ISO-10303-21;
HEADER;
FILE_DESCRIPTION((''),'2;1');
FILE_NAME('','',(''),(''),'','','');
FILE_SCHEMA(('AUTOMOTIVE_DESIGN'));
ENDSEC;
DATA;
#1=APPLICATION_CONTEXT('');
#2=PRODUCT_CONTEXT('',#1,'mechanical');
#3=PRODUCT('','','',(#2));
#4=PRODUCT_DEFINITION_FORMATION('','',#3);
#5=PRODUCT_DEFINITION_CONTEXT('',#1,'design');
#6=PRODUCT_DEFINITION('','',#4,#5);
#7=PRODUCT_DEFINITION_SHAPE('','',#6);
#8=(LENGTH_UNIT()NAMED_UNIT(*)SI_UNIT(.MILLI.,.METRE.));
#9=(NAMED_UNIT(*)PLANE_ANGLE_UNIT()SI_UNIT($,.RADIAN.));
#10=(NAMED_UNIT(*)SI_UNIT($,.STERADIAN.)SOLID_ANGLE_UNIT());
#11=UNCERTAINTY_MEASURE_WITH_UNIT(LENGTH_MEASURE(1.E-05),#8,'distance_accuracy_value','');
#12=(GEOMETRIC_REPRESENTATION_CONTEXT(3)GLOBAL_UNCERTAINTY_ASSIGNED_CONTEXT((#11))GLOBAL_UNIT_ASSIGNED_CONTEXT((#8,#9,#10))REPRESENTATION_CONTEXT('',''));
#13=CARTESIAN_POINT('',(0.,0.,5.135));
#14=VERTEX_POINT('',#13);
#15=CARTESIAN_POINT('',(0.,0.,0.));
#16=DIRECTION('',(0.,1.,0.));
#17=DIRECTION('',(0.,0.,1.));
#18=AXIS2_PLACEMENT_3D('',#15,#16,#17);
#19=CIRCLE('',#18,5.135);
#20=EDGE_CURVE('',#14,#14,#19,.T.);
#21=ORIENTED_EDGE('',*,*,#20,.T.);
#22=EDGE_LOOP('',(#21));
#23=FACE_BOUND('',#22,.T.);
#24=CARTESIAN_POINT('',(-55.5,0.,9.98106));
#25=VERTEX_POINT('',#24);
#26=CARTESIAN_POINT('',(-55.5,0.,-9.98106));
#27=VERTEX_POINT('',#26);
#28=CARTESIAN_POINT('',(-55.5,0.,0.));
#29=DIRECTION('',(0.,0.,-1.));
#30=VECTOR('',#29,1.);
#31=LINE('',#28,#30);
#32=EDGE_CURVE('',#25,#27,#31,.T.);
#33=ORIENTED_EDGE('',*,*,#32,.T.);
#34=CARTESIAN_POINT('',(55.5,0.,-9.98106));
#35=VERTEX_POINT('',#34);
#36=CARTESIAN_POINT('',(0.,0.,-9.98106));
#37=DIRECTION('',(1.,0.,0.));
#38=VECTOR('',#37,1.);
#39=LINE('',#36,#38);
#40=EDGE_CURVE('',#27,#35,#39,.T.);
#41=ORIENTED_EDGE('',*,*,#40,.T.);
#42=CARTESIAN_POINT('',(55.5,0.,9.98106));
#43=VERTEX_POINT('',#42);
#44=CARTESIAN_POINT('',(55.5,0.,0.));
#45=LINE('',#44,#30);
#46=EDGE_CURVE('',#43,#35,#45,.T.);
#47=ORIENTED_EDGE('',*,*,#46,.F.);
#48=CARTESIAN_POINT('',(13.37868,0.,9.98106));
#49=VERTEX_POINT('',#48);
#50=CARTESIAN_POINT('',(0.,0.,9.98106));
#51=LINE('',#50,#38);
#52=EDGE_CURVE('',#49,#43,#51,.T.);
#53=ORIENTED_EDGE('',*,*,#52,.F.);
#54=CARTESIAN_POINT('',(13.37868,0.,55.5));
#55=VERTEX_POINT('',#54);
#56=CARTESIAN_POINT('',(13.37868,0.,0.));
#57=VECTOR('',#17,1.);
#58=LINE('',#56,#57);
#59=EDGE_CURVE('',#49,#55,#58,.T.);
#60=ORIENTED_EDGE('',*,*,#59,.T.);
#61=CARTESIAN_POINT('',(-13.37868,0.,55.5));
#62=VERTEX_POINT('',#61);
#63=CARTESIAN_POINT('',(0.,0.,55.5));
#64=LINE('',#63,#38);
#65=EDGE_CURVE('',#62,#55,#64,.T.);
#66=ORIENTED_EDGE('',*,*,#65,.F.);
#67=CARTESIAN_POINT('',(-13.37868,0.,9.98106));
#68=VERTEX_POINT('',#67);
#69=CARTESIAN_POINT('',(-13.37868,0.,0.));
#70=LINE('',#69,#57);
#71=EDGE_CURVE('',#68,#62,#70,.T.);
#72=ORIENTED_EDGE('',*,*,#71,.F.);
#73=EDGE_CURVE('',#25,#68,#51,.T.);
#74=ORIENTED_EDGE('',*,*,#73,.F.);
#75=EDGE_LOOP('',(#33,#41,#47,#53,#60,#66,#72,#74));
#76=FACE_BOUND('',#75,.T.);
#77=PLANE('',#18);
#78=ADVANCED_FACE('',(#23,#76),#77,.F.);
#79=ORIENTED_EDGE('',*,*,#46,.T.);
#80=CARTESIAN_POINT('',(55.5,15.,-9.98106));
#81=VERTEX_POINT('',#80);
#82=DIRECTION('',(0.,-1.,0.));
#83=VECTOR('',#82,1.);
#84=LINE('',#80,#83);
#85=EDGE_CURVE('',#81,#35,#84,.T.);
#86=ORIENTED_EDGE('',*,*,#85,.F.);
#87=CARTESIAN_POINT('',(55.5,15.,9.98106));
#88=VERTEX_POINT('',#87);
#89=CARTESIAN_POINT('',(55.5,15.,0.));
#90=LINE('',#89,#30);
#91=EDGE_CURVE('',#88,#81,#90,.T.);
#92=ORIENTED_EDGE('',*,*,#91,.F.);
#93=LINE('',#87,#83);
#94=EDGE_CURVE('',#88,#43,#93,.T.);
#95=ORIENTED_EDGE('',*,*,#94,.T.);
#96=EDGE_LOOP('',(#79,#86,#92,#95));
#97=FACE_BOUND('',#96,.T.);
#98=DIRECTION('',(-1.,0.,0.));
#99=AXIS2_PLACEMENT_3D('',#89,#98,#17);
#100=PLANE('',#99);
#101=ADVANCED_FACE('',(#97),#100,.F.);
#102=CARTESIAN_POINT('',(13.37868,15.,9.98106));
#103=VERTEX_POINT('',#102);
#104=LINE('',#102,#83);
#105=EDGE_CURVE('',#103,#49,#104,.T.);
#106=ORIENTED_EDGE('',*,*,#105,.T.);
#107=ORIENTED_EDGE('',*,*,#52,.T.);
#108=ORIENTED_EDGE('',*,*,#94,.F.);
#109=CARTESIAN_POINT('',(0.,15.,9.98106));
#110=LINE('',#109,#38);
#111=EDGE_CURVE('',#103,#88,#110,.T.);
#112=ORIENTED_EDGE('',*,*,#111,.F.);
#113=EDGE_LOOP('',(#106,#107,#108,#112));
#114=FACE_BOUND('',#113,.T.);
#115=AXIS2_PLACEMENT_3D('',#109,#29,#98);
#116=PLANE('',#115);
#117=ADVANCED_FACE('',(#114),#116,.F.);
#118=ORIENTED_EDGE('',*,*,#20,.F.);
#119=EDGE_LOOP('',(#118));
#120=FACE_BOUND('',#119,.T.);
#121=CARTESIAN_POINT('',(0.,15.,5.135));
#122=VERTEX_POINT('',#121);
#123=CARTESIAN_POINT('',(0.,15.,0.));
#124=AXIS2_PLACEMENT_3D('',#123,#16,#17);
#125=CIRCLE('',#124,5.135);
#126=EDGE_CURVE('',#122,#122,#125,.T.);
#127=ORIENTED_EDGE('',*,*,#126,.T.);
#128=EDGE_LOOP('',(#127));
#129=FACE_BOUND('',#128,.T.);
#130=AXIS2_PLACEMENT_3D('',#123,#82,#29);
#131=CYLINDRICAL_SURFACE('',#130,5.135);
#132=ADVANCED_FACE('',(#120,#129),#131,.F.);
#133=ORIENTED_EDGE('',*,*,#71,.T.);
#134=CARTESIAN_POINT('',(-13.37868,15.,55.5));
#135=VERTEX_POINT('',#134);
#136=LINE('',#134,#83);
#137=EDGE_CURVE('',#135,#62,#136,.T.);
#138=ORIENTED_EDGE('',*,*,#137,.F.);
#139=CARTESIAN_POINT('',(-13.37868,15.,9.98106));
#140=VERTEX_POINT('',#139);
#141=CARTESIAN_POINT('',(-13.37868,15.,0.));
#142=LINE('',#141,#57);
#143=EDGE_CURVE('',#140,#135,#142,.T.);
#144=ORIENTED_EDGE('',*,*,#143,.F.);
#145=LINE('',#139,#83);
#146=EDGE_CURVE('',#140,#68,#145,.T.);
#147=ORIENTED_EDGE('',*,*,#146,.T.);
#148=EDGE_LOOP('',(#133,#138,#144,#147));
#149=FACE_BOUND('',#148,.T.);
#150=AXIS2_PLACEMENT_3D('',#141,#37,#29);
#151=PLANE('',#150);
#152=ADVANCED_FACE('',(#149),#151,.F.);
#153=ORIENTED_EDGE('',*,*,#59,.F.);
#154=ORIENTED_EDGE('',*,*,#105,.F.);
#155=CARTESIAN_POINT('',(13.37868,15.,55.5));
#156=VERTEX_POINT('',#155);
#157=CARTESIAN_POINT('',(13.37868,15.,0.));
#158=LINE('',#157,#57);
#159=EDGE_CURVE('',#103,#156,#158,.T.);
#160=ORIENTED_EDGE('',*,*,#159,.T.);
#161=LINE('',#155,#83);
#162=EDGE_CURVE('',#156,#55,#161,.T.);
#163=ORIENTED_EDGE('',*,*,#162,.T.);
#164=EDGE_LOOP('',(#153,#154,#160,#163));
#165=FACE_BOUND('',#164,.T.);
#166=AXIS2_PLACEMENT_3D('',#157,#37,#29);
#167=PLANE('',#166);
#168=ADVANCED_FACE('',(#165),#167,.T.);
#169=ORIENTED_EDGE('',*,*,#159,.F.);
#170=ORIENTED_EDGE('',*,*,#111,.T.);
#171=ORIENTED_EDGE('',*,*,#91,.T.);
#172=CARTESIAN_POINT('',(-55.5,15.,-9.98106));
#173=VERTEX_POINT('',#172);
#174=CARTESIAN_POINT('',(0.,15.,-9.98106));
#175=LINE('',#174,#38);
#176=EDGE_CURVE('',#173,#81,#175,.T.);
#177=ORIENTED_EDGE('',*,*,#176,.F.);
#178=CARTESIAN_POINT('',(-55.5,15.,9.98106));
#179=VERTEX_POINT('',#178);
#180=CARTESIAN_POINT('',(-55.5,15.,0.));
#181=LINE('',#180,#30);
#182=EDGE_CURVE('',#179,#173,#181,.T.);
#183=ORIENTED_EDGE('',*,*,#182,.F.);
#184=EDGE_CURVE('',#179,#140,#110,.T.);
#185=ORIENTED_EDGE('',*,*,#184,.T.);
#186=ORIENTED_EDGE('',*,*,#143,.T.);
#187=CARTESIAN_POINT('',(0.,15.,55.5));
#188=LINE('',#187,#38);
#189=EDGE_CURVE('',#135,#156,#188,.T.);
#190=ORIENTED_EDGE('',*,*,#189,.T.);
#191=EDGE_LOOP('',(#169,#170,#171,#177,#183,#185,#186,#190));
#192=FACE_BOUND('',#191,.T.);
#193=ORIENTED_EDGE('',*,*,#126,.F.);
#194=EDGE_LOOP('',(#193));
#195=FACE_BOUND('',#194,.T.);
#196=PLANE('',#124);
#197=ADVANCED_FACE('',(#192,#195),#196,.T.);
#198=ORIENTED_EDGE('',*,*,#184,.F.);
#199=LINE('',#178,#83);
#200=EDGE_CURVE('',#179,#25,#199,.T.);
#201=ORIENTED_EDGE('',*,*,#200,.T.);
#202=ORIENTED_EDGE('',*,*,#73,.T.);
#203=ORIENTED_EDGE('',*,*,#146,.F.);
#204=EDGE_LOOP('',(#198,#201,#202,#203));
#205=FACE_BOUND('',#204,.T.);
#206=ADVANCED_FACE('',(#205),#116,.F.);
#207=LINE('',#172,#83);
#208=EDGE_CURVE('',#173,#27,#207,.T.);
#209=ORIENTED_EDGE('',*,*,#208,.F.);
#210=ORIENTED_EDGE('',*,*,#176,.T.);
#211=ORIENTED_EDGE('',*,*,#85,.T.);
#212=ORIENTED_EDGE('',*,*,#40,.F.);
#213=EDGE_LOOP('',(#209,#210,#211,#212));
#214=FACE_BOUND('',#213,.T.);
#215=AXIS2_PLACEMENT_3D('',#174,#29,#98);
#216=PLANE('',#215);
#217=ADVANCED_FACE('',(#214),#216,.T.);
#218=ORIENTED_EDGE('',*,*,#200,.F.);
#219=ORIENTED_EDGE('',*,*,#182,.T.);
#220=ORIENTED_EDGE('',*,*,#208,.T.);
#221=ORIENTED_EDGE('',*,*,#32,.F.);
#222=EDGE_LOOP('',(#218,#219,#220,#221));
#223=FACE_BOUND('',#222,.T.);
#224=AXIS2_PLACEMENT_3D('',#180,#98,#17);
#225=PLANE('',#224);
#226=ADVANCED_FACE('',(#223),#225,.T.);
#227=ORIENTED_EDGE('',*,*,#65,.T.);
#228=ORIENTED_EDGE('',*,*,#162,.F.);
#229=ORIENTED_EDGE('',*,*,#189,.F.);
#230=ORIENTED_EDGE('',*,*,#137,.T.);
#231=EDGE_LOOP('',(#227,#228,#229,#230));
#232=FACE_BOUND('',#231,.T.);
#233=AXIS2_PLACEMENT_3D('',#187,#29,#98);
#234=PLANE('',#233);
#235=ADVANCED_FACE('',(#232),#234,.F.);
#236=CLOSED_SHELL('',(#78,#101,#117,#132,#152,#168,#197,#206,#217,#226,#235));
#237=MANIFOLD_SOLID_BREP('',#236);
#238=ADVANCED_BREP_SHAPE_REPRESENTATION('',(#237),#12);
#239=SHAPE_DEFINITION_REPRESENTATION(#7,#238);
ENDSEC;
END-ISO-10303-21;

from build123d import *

# Parameters (mm, degrees)
SKETCH2_W           = 111
SKETCH2_H           = 19.962120642
SKETCH2_R           = 5.135
SKETCH2_W_2         = 26.757359312
SKETCH2_H_2         = 45.518939679
BOSS_EXTRUDE1_DEPTH = 15


with BuildPart() as part:
    # Sketch2 → Boss-Extrude1 (new body)
    # profile 1 of 2: a face of its own
    with BuildSketch(Plane(origin=(0, 0, 0), x_dir=(1, 0, 0), z_dir=(0, 1, 0))):
        Rectangle(SKETCH2_W, SKETCH2_H)
        with Locations(Location((0, 0, 0), (0, 0, 270))):
            Circle(SKETCH2_R, mode=Mode.SUBTRACT)
    # profile 2 of 2: a face of its own
    with BuildSketch(Plane(origin=(0, 0, 0), x_dir=(1, 0, 0), z_dir=(0, 1, 0))):
        with Locations((0, -32.740530161)):
            Rectangle(SKETCH2_W_2, SKETCH2_H_2)
    extrude(amount=BOSS_EXTRUDE1_DEPTH)


solid = part.part
